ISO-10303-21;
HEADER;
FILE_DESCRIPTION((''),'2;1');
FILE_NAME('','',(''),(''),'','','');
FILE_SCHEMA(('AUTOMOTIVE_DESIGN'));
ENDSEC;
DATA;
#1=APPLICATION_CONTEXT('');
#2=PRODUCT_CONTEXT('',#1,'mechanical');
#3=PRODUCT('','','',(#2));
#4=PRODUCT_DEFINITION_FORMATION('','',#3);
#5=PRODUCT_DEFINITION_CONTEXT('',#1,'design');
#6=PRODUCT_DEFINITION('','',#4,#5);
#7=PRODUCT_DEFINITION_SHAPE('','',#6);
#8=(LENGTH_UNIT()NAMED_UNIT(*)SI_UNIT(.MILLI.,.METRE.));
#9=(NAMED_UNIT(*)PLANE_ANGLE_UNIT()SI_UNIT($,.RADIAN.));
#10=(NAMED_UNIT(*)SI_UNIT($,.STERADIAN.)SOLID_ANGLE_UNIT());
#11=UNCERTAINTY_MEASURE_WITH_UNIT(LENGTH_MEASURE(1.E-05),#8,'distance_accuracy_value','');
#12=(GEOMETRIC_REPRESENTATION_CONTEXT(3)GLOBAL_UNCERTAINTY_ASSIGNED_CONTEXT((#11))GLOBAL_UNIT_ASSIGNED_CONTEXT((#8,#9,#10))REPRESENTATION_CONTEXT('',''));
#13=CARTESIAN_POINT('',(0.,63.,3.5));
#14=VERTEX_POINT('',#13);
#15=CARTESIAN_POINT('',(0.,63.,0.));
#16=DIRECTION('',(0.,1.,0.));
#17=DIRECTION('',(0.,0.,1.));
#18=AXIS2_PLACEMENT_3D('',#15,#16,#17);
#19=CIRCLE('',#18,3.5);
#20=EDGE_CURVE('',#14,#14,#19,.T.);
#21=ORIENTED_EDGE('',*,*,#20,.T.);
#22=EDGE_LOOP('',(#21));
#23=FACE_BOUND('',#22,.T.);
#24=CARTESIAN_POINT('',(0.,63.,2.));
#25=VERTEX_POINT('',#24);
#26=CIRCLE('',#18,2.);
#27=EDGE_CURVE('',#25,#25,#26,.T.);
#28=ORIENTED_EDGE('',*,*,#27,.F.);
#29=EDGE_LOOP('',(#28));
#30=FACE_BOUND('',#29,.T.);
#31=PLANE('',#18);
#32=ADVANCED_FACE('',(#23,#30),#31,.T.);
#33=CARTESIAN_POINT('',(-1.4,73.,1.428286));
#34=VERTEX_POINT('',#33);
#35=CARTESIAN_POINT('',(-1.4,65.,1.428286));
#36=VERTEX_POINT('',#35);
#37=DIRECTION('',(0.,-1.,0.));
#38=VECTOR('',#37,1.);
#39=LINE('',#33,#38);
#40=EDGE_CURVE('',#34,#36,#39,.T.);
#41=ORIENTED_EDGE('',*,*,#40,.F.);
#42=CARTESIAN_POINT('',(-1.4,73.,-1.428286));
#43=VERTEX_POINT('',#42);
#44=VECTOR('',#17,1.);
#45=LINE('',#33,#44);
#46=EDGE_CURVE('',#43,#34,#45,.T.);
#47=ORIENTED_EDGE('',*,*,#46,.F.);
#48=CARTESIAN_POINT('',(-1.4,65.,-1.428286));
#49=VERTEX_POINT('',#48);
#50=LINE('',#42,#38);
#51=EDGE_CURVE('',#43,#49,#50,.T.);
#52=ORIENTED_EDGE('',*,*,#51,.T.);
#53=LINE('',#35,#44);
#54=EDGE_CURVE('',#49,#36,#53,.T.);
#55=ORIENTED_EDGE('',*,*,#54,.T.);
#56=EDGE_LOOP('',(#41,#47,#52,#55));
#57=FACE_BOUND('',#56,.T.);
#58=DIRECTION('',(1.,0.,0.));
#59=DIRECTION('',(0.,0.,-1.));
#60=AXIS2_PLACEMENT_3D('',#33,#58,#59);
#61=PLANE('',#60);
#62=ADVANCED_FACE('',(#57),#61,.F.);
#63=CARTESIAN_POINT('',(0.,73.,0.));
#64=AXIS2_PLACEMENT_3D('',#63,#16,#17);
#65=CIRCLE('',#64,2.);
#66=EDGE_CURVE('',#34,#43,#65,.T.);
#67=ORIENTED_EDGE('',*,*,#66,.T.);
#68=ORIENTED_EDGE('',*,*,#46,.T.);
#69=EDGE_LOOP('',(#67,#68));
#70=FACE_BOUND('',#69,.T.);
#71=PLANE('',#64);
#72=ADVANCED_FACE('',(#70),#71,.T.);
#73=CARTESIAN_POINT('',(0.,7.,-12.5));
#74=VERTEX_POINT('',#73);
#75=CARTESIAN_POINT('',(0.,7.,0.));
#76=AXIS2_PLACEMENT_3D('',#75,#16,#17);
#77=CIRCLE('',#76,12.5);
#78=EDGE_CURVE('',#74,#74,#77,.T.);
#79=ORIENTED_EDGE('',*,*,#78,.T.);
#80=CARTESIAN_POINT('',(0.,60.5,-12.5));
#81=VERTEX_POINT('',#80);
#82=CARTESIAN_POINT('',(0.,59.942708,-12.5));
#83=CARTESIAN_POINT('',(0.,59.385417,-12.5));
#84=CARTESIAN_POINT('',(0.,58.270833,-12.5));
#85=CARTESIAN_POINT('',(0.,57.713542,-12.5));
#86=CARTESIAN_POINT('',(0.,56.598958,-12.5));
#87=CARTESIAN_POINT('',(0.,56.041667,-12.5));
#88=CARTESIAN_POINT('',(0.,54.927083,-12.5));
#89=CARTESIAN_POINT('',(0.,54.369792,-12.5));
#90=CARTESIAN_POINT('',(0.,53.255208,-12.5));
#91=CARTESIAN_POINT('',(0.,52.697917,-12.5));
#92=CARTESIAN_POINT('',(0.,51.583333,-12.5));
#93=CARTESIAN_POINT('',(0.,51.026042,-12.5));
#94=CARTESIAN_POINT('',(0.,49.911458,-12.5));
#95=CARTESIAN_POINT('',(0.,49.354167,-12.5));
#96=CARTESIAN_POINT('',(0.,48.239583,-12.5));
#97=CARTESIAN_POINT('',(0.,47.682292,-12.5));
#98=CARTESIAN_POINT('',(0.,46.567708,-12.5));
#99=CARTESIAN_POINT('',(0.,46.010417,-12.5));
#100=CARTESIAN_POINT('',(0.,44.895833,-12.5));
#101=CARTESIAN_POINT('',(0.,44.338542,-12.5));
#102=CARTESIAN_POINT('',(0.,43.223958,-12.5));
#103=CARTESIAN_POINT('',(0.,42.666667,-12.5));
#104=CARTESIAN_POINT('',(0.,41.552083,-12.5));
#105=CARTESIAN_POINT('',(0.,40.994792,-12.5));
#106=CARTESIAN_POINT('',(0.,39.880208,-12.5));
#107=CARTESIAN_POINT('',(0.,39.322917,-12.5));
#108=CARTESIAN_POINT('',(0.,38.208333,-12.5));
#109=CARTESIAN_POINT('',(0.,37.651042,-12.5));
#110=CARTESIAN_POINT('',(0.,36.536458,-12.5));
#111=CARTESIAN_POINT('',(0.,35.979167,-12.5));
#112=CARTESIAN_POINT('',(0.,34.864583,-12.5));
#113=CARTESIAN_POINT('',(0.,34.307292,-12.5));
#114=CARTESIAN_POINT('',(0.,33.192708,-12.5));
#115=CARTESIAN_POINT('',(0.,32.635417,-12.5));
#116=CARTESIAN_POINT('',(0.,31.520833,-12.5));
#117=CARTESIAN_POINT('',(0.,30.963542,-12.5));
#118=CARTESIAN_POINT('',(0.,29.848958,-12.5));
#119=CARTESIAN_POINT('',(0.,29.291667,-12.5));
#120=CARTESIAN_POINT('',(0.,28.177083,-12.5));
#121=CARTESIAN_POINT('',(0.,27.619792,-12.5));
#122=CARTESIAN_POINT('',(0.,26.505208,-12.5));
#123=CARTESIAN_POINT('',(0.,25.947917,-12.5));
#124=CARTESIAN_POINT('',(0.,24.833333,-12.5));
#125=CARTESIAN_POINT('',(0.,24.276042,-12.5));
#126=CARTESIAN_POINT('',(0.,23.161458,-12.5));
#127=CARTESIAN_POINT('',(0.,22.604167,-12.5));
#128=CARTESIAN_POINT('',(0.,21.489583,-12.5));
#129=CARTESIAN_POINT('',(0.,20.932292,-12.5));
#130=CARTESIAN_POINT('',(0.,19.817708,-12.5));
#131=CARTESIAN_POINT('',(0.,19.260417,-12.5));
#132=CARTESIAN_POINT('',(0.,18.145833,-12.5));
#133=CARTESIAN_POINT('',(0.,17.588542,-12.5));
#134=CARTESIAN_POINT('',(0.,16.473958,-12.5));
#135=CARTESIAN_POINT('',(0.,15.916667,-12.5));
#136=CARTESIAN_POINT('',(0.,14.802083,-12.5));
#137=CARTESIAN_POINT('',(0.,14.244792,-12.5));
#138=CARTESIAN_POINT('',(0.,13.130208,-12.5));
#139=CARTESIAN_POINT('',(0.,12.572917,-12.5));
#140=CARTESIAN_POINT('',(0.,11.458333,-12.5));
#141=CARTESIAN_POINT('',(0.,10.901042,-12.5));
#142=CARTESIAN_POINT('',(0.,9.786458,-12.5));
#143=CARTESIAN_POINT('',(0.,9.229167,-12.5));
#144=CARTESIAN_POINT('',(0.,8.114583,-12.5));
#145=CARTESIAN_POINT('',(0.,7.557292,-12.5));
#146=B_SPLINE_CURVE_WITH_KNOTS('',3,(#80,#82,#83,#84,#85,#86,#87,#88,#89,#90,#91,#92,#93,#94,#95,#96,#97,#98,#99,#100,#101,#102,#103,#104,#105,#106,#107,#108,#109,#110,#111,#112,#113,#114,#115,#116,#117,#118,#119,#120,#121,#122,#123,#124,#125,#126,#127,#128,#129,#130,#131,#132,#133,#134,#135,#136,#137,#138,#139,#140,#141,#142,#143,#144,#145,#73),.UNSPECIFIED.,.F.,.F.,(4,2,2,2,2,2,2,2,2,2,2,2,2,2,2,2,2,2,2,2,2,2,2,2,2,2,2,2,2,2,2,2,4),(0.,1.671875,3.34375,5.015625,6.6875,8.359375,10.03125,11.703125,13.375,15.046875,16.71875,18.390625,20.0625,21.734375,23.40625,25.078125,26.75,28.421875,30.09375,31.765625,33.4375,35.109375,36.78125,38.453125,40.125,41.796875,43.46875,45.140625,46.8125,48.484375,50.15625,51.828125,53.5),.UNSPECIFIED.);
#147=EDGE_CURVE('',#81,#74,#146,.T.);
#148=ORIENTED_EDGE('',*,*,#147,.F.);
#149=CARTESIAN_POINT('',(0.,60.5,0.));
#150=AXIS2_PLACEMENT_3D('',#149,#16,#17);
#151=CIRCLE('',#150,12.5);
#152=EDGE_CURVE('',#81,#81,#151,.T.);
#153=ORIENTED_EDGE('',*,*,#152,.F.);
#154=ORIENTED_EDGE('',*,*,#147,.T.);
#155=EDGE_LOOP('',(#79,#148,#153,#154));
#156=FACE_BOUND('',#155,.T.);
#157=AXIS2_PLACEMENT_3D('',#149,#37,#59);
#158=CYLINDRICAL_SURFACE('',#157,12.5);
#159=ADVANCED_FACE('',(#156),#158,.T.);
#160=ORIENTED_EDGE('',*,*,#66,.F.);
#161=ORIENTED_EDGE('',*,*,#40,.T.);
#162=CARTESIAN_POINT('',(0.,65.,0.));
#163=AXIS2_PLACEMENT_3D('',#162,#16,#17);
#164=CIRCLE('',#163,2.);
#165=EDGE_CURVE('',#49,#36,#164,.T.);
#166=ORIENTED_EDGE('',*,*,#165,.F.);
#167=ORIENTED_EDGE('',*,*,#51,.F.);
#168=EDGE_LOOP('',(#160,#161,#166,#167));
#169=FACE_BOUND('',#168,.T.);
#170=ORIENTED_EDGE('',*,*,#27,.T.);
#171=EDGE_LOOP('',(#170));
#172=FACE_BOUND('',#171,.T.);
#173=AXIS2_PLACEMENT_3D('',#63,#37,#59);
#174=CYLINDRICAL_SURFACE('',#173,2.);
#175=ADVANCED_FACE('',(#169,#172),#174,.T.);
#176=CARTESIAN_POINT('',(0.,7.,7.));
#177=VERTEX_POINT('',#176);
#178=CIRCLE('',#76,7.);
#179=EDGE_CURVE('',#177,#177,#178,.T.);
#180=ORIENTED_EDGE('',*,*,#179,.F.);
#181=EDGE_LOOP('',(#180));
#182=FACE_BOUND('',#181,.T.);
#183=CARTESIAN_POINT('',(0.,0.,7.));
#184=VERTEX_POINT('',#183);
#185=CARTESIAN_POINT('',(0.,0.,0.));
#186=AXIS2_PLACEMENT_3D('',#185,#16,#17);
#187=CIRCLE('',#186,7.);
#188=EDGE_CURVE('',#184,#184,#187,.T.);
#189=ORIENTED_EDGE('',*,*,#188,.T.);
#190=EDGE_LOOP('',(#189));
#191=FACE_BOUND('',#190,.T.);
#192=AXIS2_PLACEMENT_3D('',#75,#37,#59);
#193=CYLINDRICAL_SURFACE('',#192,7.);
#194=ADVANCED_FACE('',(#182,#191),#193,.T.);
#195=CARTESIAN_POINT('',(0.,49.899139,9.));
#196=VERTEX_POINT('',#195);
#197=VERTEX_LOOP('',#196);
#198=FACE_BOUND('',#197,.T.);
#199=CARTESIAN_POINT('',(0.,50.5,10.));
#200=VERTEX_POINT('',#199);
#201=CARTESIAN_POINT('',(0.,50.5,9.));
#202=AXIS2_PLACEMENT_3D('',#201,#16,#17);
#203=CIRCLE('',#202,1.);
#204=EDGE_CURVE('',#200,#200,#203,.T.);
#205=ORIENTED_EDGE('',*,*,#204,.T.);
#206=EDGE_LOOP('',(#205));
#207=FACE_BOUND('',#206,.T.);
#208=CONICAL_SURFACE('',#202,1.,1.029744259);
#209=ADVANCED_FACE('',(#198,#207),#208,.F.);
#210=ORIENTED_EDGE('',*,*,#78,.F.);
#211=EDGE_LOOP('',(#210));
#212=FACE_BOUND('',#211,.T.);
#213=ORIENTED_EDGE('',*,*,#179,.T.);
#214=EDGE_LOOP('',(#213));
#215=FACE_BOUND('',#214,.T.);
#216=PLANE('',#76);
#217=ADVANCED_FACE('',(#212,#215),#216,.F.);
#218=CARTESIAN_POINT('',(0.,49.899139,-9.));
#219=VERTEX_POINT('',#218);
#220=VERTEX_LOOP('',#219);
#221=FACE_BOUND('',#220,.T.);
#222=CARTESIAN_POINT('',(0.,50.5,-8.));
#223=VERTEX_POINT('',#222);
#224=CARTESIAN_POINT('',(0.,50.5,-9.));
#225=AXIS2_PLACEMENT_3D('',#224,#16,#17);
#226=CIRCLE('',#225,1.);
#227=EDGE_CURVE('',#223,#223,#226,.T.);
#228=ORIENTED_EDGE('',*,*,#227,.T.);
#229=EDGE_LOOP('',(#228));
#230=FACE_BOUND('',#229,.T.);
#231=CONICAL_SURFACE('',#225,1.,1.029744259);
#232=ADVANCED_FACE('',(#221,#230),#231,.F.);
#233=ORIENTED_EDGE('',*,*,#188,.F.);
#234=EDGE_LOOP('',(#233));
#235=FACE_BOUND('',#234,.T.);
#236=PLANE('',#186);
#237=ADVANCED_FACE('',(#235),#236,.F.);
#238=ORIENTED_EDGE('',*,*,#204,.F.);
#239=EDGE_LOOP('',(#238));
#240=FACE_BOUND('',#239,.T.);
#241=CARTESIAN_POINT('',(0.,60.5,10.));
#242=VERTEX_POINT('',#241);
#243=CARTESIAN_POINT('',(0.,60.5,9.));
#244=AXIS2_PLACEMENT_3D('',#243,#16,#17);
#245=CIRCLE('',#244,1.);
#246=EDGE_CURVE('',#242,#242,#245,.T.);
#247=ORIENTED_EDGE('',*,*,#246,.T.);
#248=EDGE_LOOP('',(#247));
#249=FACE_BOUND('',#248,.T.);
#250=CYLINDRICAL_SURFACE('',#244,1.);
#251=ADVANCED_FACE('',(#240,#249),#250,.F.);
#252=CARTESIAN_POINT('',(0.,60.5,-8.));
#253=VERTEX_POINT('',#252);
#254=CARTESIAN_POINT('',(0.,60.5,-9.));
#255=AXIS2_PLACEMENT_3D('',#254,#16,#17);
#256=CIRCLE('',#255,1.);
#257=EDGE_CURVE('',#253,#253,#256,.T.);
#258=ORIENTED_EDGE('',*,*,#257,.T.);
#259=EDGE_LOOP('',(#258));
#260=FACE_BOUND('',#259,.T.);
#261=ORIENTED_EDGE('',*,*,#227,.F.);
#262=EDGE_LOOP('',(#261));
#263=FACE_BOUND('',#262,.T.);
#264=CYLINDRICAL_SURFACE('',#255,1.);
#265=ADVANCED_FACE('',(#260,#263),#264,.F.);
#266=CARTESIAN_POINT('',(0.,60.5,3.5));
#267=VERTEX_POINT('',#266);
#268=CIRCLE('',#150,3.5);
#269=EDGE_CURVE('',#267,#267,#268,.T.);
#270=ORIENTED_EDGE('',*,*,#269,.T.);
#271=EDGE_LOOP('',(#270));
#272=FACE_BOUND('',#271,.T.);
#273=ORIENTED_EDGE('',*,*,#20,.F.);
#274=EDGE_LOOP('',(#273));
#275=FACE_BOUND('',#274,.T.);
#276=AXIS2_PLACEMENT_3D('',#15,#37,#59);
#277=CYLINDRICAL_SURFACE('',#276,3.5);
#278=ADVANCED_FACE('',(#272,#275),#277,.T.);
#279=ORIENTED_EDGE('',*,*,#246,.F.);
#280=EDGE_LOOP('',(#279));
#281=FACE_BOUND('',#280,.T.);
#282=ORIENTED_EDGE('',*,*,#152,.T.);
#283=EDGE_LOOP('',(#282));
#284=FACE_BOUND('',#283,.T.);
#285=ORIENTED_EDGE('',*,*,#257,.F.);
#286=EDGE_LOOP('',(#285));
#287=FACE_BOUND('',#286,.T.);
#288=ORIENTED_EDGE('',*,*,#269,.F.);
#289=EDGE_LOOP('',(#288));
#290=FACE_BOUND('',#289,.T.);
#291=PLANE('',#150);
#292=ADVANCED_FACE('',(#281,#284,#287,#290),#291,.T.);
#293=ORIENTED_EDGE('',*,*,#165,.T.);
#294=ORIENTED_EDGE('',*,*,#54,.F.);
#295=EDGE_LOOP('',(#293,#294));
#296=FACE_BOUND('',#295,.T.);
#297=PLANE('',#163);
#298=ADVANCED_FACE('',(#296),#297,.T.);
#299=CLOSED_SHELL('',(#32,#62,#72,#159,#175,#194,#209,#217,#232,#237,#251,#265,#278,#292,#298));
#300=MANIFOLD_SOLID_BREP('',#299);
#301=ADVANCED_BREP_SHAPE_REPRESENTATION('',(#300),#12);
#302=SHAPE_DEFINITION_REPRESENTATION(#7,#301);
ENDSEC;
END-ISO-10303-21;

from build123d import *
from build123d.topology import SkipClean

# Parameters (mm, degrees)
SKETCH1_R        = 7
EXTRUSION1_DEPTH = 7
SKETCH2_R        = 12.5
EXTRUSION2_DEPTH = 53.5
SKETCH3_R        = 3.5
EXTRUSION3_DEPTH = 2.5
EXTRUSION4_DEPTH = 10
SKETCH5_R        = 2
EXTRUSION5_DEPTH = 2
HOLE1_D          = 2
HOLE1_DEPTH      = 10
HOLE1_TIP        = 0.600860619


with BuildPart() as part:
    # Sketch1 → Extrusion1 (new body)
    with BuildSketch(Plane(origin=(0, 0, 0), x_dir=(-1, 0, 0), z_dir=(0, 1, 0))):
        with Locations(Location((0, 0, 0), (0, 0, 90))):
            Circle(SKETCH1_R)
    extrude(amount=EXTRUSION1_DEPTH)

    # Sketch2 → Extrusion2 (add)
    with BuildSketch(Plane(origin=(0, 7, 0), x_dir=(-1, 0, 0), z_dir=(0, 1, 0))):
        with Locations(Location((0, 0, 0), (0, 0, 270))):
            Circle(SKETCH2_R)
    extrude(amount=EXTRUSION2_DEPTH)

    # Sketch3 → Extrusion3 (add)
    with BuildSketch(Plane(origin=(0, 60.5, 0), x_dir=(-1, 0, 0), z_dir=(0, 1, 0))):
        with Locations(Location((0, 0, 0), (0, 0, 90))):
            Circle(SKETCH3_R)
    extrude(amount=EXTRUSION3_DEPTH)

    # Sketch4 → Extrusion4 (add)
    with BuildSketch(Plane(origin=(0, 63, 0), x_dir=(-1, 0, 0), z_dir=(0, 1, 0))):
        with BuildLine():
            Line((1.4, 1.428285686), (1.4, -1.428285686))
            ThreePointArc((1.4, -1.428285686), (-2, 0), (1.4, 1.428285686))
        make_face()
    extrude(amount=EXTRUSION4_DEPTH)

    # Sketch5 → Extrusion5 (add)
    with SkipClean():  # the faces are left unmerged after this step: merging them gives an invalid solid
        with BuildSketch(Plane(origin=(0, 63, 0), x_dir=(1, 0, 0), z_dir=(0, 1, 0))):
            with Locations(Location((0, 0, 0), (0, 0, 134.427004001))):
                Circle(SKETCH5_R)
        extrude(amount=EXTRUSION5_DEPTH)

    # Hole1
    with Locations(Plane(origin=(0, 60.5, 0), x_dir=(1, 0, 0), z_dir=(0, 1, 0))):
        with Locations((0, -9), (0, 9)):
            Hole(HOLE1_D / 2, depth=HOLE1_DEPTH)
            with Locations((0, 0, -(HOLE1_DEPTH + HOLE1_TIP / 2))):  # 118° drill point
                Cone(0, HOLE1_D / 2, HOLE1_TIP, mode=Mode.SUBTRACT)


solid = part.part
